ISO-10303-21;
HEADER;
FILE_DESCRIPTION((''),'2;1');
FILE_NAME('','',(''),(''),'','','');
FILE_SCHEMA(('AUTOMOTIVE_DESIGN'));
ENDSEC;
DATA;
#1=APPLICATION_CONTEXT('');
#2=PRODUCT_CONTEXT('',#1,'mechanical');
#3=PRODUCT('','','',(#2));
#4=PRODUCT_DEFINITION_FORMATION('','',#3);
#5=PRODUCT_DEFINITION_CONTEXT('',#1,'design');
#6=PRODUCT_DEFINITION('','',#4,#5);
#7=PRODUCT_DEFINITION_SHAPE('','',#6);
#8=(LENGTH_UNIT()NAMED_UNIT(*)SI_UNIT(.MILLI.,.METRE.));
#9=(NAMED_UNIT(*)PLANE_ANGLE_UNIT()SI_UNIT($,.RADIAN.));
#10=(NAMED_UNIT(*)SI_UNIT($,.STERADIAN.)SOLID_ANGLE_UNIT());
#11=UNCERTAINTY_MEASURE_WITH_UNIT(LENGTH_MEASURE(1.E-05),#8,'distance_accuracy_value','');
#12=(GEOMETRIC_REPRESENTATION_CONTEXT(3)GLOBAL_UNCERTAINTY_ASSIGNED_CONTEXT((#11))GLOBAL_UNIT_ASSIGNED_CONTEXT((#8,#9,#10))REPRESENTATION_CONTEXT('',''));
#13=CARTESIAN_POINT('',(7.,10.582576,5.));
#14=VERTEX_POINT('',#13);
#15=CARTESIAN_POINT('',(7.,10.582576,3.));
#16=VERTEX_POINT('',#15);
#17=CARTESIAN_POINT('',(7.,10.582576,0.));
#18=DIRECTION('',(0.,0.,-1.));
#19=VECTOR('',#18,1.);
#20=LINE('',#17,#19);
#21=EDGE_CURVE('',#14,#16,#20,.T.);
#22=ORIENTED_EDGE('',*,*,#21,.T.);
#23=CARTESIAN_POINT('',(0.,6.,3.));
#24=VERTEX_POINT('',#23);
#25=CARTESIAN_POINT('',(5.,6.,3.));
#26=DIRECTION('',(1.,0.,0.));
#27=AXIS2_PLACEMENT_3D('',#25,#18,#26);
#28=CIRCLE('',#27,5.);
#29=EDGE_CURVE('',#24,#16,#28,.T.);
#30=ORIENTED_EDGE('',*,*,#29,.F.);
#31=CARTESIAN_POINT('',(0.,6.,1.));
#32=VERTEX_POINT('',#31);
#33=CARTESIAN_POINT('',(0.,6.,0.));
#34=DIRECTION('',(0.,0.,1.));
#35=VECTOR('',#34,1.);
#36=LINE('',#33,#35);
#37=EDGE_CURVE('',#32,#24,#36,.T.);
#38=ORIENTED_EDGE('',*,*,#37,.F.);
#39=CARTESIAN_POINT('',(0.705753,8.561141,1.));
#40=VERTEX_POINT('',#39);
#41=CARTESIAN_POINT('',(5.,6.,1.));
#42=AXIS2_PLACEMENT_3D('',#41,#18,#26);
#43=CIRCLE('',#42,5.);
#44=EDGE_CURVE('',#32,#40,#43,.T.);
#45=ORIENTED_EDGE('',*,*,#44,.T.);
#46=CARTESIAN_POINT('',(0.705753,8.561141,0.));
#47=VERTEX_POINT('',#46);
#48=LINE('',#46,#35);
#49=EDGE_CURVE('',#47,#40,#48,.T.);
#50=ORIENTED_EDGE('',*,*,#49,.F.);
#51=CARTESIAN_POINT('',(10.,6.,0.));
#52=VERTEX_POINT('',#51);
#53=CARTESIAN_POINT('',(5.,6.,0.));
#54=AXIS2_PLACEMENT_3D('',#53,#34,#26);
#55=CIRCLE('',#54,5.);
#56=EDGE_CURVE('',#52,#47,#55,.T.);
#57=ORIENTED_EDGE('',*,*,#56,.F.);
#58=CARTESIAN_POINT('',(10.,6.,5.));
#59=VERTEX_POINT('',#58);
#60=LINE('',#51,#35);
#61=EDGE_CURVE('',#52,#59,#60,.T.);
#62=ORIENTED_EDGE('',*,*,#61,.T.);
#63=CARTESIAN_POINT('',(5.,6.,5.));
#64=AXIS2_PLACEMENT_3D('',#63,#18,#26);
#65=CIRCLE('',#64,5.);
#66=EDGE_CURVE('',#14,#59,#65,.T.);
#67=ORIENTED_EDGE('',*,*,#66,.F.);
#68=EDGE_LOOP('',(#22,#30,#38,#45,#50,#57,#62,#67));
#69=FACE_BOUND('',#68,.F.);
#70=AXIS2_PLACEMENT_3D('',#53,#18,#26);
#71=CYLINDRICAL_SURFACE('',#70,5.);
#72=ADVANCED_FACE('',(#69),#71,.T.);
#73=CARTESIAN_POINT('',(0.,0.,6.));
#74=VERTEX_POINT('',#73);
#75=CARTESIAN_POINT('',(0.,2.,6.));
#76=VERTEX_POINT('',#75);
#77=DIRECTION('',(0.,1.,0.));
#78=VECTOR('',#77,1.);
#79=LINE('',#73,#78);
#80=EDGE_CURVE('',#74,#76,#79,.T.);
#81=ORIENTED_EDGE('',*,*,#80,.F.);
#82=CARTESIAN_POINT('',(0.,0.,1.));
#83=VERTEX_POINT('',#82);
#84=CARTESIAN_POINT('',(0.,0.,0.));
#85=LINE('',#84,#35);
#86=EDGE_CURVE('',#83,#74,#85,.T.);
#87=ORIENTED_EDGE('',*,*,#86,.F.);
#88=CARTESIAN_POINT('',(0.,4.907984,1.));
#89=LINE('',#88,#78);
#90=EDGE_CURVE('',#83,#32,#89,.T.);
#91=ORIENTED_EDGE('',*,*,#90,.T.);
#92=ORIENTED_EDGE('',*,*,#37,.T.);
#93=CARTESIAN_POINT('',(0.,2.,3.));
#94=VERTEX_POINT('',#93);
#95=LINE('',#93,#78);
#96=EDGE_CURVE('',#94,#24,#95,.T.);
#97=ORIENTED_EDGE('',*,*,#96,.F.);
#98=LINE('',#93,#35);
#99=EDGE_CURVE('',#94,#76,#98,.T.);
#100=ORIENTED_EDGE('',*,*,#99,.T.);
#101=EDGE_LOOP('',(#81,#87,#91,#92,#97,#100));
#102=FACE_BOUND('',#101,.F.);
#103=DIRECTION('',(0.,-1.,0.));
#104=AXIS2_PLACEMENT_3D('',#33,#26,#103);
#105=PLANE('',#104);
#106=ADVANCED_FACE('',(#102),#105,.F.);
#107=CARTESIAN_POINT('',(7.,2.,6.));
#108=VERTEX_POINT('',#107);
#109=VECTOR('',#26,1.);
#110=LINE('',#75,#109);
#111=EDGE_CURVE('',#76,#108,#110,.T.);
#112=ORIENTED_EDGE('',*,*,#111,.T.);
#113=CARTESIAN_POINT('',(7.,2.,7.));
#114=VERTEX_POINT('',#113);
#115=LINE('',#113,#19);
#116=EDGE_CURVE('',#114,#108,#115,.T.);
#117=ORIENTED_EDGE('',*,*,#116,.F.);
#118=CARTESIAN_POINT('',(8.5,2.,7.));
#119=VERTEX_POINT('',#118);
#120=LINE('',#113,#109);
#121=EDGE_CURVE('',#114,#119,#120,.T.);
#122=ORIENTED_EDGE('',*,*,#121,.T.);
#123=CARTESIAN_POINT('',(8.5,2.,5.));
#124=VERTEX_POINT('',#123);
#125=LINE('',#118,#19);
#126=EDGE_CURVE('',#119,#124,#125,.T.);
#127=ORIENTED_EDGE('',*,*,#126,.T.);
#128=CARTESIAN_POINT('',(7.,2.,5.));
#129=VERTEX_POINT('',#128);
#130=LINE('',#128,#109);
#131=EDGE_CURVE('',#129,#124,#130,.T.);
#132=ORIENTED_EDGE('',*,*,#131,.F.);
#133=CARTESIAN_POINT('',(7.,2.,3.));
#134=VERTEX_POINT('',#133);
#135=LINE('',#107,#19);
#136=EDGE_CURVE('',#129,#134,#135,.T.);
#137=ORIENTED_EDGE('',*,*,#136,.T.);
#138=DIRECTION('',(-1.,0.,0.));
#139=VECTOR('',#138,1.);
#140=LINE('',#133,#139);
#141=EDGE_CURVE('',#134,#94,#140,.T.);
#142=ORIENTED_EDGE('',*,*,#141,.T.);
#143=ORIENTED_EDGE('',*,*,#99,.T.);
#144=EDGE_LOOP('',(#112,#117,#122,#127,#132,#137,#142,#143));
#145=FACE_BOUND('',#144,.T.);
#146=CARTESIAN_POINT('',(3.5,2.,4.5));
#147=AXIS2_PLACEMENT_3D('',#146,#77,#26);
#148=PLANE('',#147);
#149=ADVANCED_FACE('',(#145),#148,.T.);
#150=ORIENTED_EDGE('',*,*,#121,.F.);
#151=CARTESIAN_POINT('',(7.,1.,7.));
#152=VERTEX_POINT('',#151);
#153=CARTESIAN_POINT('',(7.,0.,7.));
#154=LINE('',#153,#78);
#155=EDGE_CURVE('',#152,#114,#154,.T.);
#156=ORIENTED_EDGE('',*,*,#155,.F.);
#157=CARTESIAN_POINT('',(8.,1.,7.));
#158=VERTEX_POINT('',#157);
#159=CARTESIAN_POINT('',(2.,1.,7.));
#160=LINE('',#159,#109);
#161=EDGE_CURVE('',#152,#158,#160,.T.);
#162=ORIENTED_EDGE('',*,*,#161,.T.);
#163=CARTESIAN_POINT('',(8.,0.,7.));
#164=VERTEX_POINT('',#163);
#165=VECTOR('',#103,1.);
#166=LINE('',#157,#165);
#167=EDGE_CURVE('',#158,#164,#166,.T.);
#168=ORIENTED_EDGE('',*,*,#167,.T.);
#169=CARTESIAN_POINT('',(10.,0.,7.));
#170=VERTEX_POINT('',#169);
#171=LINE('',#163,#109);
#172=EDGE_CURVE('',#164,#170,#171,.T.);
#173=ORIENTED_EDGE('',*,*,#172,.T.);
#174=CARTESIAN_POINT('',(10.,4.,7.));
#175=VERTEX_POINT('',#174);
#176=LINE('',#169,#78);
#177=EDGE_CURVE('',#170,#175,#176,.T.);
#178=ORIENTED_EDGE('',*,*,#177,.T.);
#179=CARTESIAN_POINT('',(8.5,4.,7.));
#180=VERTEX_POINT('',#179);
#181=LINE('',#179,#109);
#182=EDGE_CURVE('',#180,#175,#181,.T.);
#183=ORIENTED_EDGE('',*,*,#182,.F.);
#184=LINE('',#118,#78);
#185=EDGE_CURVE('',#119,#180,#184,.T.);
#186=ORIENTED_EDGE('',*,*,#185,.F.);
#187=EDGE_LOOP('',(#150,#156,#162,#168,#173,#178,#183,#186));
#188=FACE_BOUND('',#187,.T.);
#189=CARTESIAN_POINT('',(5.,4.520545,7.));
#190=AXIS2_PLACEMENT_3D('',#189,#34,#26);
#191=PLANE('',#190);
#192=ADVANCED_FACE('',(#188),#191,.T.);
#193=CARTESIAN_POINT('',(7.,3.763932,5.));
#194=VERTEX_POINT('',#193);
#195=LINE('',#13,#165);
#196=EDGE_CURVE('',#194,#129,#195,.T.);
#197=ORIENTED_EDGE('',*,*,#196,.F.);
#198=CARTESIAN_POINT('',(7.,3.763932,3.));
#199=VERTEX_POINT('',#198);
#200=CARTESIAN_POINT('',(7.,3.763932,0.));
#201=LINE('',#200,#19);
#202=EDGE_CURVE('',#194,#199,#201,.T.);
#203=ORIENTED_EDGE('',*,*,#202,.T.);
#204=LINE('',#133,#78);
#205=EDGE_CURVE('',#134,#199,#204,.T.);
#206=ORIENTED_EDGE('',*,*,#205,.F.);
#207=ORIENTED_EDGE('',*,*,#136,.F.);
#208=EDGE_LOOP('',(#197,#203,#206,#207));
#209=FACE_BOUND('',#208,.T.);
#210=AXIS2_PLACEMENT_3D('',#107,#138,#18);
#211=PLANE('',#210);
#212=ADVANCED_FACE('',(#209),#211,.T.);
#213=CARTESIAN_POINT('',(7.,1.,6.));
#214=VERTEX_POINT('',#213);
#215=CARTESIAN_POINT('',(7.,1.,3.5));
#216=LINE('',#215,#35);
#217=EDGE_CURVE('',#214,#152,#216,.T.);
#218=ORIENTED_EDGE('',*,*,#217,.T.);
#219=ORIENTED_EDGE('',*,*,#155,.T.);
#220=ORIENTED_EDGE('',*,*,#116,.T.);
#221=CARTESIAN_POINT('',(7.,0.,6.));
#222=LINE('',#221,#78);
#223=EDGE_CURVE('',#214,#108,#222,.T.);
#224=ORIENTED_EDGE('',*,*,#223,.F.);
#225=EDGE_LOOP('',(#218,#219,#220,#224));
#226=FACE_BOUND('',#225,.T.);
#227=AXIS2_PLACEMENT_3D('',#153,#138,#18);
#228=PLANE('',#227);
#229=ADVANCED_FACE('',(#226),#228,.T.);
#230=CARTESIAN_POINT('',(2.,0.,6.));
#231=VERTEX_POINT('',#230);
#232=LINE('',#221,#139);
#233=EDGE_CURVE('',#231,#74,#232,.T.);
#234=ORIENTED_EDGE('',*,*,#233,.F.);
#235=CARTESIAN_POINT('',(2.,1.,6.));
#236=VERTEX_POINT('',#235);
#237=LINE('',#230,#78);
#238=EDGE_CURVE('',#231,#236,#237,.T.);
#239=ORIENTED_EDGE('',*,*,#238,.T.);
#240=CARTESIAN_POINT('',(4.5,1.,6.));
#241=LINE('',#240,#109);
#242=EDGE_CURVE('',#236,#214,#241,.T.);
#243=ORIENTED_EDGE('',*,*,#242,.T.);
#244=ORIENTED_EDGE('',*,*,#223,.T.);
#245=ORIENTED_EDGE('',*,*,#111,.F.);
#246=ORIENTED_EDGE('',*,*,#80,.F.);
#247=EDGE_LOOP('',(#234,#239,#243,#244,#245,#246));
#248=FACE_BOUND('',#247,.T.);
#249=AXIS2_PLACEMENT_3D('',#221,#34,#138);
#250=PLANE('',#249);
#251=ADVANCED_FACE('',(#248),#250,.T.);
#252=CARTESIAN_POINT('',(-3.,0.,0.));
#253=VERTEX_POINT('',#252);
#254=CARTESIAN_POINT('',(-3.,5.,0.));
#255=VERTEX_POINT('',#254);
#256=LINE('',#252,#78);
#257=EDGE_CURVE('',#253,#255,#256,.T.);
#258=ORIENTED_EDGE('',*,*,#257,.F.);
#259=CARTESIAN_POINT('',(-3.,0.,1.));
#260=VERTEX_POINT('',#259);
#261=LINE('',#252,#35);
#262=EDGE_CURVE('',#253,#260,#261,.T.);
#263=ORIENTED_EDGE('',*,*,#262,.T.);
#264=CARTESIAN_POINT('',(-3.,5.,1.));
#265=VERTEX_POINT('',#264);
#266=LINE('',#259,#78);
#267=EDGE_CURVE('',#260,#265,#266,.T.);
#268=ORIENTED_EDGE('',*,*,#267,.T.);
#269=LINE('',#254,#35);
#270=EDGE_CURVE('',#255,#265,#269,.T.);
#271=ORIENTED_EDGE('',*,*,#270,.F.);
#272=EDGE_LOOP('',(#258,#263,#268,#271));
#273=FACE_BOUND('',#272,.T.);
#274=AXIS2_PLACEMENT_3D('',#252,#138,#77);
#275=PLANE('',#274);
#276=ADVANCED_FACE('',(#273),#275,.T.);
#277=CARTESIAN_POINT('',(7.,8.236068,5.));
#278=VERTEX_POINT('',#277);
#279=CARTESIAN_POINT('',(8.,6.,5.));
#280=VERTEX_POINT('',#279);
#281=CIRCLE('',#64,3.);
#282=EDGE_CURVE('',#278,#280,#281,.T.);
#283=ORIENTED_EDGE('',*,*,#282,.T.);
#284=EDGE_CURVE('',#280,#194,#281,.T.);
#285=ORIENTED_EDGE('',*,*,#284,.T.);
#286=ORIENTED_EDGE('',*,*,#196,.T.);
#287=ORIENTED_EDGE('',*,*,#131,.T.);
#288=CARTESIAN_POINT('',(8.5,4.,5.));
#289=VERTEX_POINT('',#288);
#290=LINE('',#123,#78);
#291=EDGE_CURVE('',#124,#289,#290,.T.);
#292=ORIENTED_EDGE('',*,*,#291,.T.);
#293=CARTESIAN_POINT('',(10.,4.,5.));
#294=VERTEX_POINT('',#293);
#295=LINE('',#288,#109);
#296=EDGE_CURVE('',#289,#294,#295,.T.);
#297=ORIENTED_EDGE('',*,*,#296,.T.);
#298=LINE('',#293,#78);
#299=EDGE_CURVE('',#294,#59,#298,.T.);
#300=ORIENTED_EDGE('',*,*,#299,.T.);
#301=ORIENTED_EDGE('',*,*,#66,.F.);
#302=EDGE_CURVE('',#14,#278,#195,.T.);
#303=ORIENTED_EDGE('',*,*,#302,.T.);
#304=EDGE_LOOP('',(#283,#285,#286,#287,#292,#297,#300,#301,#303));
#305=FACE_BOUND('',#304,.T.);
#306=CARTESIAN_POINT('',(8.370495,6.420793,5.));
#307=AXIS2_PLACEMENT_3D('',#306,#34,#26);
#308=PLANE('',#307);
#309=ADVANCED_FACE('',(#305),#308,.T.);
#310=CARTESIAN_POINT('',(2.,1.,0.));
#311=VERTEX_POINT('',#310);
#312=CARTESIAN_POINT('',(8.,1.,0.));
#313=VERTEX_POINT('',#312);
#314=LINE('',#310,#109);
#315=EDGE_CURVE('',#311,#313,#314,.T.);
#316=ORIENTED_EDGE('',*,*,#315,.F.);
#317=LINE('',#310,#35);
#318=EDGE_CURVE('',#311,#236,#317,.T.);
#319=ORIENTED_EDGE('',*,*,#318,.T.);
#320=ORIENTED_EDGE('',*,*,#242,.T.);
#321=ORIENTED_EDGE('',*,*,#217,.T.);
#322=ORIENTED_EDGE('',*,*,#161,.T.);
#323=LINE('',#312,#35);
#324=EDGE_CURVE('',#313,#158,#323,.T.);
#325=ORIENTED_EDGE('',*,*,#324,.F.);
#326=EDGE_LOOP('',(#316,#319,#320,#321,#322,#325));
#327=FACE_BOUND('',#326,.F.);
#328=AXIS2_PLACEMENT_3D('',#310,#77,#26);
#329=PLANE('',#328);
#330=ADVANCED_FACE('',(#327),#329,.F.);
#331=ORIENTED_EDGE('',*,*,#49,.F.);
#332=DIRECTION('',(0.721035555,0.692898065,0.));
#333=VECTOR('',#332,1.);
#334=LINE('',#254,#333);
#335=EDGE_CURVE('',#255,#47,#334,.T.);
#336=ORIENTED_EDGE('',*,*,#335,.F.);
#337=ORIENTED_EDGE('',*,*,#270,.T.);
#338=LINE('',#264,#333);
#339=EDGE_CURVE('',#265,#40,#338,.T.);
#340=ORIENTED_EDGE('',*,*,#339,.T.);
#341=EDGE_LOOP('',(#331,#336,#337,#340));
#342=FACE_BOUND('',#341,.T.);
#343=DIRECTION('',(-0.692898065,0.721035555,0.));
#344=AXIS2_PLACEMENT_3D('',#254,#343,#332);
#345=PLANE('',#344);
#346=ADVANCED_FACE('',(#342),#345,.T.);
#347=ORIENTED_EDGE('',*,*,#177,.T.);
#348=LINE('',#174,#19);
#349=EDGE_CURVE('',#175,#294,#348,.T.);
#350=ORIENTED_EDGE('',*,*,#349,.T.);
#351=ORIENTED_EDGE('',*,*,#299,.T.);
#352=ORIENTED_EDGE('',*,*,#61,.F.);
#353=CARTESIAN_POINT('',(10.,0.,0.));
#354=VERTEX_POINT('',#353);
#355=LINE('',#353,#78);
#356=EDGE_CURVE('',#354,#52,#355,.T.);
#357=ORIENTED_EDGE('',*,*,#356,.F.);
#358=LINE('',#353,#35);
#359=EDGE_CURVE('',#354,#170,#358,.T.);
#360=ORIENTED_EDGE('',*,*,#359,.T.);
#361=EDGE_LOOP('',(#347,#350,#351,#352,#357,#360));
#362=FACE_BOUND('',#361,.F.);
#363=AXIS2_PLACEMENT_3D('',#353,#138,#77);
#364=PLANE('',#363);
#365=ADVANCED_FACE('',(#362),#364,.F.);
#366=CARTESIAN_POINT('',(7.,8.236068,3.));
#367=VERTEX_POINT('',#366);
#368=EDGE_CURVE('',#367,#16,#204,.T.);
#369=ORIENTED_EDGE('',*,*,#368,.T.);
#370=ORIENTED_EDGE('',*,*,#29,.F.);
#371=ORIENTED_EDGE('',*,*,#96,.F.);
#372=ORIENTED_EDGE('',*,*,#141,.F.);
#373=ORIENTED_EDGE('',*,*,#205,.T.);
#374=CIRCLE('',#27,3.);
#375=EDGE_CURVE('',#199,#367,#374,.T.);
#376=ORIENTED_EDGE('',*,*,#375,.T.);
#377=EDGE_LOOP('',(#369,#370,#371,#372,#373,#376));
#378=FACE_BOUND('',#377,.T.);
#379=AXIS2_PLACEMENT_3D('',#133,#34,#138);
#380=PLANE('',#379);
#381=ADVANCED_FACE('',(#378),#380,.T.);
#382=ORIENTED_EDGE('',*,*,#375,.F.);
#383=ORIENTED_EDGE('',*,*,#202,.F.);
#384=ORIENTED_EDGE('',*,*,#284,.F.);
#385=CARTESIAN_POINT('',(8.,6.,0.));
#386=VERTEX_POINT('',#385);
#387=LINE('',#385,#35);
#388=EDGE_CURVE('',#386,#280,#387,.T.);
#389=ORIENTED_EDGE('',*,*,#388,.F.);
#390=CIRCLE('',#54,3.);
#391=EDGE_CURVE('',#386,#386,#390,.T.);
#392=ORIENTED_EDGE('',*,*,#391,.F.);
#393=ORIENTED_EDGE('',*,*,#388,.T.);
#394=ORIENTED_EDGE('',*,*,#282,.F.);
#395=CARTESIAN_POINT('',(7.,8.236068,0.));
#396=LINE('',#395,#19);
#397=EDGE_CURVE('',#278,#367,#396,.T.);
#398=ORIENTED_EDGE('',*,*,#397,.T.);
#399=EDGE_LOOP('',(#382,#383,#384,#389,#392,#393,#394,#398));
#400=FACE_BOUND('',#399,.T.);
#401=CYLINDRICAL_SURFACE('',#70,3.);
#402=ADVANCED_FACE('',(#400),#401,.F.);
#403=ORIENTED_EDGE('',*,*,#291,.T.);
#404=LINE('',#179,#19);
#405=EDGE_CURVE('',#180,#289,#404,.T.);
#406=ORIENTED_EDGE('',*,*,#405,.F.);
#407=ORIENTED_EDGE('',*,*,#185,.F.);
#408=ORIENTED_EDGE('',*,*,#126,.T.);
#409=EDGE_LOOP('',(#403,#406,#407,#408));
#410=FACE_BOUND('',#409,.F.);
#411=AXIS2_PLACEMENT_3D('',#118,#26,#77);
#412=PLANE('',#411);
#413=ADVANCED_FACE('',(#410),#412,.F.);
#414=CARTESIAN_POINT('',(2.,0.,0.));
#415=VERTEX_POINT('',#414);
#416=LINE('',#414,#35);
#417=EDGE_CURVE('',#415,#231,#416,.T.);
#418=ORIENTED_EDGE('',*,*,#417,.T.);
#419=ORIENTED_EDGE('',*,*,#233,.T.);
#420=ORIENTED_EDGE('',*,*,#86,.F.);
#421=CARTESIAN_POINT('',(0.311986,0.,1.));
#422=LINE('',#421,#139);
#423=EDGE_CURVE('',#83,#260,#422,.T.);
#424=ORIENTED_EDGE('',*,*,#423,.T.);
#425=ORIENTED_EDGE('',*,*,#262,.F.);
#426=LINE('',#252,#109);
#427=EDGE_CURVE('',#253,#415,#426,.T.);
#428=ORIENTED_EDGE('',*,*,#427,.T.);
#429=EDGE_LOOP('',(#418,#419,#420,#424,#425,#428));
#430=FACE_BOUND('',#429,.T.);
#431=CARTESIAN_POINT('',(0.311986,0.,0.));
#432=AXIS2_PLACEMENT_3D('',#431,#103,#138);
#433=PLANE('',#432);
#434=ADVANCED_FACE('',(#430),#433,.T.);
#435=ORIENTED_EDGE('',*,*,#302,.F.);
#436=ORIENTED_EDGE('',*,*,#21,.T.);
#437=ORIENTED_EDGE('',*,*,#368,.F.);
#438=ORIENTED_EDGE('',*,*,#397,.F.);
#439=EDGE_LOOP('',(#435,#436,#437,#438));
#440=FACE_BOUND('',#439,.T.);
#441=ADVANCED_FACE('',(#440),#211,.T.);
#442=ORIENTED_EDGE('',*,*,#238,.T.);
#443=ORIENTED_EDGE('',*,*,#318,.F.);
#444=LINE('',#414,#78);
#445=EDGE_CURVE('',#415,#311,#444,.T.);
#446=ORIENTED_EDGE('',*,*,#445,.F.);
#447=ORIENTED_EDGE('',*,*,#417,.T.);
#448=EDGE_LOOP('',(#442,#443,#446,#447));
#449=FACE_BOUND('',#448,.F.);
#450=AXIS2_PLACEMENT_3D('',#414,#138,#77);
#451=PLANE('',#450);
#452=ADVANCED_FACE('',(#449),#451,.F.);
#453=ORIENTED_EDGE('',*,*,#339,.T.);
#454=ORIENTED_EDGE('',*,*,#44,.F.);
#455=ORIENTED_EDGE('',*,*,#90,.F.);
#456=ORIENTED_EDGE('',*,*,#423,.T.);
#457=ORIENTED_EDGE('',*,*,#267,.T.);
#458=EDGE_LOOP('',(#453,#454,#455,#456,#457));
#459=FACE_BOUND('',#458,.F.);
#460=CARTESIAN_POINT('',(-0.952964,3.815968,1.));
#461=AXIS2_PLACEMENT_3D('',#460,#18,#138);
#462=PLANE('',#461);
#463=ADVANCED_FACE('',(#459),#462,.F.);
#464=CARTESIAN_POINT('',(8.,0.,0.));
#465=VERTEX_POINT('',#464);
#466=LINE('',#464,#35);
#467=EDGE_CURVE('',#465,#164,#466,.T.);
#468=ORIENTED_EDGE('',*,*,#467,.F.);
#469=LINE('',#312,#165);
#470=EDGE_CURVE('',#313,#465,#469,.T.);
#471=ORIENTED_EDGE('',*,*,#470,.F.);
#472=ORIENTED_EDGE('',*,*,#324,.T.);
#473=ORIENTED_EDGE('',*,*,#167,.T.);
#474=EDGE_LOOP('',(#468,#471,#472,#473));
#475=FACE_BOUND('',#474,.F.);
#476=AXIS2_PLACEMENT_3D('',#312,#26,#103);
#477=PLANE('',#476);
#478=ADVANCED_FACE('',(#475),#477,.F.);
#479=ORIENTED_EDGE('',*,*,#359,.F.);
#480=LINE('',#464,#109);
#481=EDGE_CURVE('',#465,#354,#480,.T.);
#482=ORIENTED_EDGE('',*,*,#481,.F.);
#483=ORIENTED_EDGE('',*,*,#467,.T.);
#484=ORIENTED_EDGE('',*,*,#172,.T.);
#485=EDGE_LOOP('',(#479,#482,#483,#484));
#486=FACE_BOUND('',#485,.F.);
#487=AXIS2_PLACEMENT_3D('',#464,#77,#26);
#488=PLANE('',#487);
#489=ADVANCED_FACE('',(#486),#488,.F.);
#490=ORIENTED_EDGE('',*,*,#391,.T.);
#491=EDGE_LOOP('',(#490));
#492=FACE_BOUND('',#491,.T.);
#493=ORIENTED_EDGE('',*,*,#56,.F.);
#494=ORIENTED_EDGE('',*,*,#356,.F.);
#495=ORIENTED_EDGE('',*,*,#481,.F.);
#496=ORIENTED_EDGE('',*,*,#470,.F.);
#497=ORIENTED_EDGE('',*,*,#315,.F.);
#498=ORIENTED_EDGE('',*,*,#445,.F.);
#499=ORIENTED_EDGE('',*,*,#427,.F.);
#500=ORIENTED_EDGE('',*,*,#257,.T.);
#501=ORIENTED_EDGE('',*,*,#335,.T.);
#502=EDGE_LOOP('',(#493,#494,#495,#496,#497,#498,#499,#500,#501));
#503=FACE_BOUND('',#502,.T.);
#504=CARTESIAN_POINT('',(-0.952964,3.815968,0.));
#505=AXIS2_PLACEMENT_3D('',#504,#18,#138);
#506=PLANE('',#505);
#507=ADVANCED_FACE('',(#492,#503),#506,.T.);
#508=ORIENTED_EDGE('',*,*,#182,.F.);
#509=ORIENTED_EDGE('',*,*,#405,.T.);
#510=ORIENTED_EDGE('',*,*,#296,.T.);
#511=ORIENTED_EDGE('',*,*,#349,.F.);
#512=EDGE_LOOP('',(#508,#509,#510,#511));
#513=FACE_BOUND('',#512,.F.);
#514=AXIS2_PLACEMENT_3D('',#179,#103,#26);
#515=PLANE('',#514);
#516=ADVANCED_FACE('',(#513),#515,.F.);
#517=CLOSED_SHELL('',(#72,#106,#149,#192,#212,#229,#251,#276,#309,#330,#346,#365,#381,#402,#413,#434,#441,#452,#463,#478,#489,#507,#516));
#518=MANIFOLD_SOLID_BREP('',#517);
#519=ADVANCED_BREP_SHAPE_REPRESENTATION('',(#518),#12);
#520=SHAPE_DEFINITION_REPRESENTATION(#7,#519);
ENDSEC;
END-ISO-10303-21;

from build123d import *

# Parameters (mm, degrees)
SKETCH1_R           = 3
BOSS_EXTRUDE1_DEPTH = 7
BOSS_EXTRUDE2_DEPTH = 1
CUT_EXTRUDE1_DEPTH  = 2
CUT_EXTRUDE2_DEPTH  = 12
CUT_EXTRUDE3_DEPTH  = 12


with BuildPart() as part:
    # Sketch1 → Boss-Extrude1 (new body)
    with BuildSketch(Plane.XY):
        with BuildLine():
            Line((0, 0), (2, 0))
            Line((2, 0), (2, 1))
            Line((2, 1), (8, 1))
            Line((8, 1), (8, 0))
            Line((8, 0), (10, 0))
            Line((10, 0), (10, 6))
            ThreePointArc((10, 6), (5, 11), (0, 6))
            Line((0, 6), (0, 0))
        make_face()
        with Locations((5, 6)):
            Circle(SKETCH1_R, mode=Mode.SUBTRACT)
    extrude(amount=BOSS_EXTRUDE1_DEPTH)

    # Sketch2 → Boss-Extrude2 (add)
    with BuildSketch(Plane(origin=(0, 0, 0), x_dir=(-1, 0, 0), z_dir=(0, 0, -1))):
        Polygon((0, 0), (3, 0), (3, 5), (-0.705752773, 8.561140517), (-0.311985877, 0), align=None)
    extrude(amount=-BOSS_EXTRUDE2_DEPTH)

    # Sketch3 → Cut-Extrude1 (cut)
    with BuildSketch(Plane.XY.offset(7)):
        Polygon((7, 10.582575695), (7, 2), (8.5, 2), (8.5, 4), (10, 4), (10, 10.582575695), align=None)
    extrude(amount=-CUT_EXTRUDE1_DEPTH, mode=Mode.SUBTRACT)

    # Sketch4 → Cut-Extrude2 (cut)
    with BuildSketch(Plane(origin=(0, 0, 0), x_dir=(1, 0, 0), z_dir=(0, 1, 0))):
        Polygon((7, -7), (7, -6), (0, -6), (-0.727181491, -7.463826734), (7.362536443, -7.463826734), align=None)
    extrude(amount=CUT_EXTRUDE2_DEPTH, mode=Mode.SUBTRACT)

    # Sketch5 → Cut-Extrude3 (cut)
    with BuildSketch(Plane(origin=(0, 2, 0), x_dir=(1, 0, 0), z_dir=(0, 1, 0))):
        Polygon((7, -5), (7, -3), (0, -3), (0, -6), (7, -6), align=None)
    extrude(amount=CUT_EXTRUDE3_DEPTH, mode=Mode.SUBTRACT)


solid = part.part
